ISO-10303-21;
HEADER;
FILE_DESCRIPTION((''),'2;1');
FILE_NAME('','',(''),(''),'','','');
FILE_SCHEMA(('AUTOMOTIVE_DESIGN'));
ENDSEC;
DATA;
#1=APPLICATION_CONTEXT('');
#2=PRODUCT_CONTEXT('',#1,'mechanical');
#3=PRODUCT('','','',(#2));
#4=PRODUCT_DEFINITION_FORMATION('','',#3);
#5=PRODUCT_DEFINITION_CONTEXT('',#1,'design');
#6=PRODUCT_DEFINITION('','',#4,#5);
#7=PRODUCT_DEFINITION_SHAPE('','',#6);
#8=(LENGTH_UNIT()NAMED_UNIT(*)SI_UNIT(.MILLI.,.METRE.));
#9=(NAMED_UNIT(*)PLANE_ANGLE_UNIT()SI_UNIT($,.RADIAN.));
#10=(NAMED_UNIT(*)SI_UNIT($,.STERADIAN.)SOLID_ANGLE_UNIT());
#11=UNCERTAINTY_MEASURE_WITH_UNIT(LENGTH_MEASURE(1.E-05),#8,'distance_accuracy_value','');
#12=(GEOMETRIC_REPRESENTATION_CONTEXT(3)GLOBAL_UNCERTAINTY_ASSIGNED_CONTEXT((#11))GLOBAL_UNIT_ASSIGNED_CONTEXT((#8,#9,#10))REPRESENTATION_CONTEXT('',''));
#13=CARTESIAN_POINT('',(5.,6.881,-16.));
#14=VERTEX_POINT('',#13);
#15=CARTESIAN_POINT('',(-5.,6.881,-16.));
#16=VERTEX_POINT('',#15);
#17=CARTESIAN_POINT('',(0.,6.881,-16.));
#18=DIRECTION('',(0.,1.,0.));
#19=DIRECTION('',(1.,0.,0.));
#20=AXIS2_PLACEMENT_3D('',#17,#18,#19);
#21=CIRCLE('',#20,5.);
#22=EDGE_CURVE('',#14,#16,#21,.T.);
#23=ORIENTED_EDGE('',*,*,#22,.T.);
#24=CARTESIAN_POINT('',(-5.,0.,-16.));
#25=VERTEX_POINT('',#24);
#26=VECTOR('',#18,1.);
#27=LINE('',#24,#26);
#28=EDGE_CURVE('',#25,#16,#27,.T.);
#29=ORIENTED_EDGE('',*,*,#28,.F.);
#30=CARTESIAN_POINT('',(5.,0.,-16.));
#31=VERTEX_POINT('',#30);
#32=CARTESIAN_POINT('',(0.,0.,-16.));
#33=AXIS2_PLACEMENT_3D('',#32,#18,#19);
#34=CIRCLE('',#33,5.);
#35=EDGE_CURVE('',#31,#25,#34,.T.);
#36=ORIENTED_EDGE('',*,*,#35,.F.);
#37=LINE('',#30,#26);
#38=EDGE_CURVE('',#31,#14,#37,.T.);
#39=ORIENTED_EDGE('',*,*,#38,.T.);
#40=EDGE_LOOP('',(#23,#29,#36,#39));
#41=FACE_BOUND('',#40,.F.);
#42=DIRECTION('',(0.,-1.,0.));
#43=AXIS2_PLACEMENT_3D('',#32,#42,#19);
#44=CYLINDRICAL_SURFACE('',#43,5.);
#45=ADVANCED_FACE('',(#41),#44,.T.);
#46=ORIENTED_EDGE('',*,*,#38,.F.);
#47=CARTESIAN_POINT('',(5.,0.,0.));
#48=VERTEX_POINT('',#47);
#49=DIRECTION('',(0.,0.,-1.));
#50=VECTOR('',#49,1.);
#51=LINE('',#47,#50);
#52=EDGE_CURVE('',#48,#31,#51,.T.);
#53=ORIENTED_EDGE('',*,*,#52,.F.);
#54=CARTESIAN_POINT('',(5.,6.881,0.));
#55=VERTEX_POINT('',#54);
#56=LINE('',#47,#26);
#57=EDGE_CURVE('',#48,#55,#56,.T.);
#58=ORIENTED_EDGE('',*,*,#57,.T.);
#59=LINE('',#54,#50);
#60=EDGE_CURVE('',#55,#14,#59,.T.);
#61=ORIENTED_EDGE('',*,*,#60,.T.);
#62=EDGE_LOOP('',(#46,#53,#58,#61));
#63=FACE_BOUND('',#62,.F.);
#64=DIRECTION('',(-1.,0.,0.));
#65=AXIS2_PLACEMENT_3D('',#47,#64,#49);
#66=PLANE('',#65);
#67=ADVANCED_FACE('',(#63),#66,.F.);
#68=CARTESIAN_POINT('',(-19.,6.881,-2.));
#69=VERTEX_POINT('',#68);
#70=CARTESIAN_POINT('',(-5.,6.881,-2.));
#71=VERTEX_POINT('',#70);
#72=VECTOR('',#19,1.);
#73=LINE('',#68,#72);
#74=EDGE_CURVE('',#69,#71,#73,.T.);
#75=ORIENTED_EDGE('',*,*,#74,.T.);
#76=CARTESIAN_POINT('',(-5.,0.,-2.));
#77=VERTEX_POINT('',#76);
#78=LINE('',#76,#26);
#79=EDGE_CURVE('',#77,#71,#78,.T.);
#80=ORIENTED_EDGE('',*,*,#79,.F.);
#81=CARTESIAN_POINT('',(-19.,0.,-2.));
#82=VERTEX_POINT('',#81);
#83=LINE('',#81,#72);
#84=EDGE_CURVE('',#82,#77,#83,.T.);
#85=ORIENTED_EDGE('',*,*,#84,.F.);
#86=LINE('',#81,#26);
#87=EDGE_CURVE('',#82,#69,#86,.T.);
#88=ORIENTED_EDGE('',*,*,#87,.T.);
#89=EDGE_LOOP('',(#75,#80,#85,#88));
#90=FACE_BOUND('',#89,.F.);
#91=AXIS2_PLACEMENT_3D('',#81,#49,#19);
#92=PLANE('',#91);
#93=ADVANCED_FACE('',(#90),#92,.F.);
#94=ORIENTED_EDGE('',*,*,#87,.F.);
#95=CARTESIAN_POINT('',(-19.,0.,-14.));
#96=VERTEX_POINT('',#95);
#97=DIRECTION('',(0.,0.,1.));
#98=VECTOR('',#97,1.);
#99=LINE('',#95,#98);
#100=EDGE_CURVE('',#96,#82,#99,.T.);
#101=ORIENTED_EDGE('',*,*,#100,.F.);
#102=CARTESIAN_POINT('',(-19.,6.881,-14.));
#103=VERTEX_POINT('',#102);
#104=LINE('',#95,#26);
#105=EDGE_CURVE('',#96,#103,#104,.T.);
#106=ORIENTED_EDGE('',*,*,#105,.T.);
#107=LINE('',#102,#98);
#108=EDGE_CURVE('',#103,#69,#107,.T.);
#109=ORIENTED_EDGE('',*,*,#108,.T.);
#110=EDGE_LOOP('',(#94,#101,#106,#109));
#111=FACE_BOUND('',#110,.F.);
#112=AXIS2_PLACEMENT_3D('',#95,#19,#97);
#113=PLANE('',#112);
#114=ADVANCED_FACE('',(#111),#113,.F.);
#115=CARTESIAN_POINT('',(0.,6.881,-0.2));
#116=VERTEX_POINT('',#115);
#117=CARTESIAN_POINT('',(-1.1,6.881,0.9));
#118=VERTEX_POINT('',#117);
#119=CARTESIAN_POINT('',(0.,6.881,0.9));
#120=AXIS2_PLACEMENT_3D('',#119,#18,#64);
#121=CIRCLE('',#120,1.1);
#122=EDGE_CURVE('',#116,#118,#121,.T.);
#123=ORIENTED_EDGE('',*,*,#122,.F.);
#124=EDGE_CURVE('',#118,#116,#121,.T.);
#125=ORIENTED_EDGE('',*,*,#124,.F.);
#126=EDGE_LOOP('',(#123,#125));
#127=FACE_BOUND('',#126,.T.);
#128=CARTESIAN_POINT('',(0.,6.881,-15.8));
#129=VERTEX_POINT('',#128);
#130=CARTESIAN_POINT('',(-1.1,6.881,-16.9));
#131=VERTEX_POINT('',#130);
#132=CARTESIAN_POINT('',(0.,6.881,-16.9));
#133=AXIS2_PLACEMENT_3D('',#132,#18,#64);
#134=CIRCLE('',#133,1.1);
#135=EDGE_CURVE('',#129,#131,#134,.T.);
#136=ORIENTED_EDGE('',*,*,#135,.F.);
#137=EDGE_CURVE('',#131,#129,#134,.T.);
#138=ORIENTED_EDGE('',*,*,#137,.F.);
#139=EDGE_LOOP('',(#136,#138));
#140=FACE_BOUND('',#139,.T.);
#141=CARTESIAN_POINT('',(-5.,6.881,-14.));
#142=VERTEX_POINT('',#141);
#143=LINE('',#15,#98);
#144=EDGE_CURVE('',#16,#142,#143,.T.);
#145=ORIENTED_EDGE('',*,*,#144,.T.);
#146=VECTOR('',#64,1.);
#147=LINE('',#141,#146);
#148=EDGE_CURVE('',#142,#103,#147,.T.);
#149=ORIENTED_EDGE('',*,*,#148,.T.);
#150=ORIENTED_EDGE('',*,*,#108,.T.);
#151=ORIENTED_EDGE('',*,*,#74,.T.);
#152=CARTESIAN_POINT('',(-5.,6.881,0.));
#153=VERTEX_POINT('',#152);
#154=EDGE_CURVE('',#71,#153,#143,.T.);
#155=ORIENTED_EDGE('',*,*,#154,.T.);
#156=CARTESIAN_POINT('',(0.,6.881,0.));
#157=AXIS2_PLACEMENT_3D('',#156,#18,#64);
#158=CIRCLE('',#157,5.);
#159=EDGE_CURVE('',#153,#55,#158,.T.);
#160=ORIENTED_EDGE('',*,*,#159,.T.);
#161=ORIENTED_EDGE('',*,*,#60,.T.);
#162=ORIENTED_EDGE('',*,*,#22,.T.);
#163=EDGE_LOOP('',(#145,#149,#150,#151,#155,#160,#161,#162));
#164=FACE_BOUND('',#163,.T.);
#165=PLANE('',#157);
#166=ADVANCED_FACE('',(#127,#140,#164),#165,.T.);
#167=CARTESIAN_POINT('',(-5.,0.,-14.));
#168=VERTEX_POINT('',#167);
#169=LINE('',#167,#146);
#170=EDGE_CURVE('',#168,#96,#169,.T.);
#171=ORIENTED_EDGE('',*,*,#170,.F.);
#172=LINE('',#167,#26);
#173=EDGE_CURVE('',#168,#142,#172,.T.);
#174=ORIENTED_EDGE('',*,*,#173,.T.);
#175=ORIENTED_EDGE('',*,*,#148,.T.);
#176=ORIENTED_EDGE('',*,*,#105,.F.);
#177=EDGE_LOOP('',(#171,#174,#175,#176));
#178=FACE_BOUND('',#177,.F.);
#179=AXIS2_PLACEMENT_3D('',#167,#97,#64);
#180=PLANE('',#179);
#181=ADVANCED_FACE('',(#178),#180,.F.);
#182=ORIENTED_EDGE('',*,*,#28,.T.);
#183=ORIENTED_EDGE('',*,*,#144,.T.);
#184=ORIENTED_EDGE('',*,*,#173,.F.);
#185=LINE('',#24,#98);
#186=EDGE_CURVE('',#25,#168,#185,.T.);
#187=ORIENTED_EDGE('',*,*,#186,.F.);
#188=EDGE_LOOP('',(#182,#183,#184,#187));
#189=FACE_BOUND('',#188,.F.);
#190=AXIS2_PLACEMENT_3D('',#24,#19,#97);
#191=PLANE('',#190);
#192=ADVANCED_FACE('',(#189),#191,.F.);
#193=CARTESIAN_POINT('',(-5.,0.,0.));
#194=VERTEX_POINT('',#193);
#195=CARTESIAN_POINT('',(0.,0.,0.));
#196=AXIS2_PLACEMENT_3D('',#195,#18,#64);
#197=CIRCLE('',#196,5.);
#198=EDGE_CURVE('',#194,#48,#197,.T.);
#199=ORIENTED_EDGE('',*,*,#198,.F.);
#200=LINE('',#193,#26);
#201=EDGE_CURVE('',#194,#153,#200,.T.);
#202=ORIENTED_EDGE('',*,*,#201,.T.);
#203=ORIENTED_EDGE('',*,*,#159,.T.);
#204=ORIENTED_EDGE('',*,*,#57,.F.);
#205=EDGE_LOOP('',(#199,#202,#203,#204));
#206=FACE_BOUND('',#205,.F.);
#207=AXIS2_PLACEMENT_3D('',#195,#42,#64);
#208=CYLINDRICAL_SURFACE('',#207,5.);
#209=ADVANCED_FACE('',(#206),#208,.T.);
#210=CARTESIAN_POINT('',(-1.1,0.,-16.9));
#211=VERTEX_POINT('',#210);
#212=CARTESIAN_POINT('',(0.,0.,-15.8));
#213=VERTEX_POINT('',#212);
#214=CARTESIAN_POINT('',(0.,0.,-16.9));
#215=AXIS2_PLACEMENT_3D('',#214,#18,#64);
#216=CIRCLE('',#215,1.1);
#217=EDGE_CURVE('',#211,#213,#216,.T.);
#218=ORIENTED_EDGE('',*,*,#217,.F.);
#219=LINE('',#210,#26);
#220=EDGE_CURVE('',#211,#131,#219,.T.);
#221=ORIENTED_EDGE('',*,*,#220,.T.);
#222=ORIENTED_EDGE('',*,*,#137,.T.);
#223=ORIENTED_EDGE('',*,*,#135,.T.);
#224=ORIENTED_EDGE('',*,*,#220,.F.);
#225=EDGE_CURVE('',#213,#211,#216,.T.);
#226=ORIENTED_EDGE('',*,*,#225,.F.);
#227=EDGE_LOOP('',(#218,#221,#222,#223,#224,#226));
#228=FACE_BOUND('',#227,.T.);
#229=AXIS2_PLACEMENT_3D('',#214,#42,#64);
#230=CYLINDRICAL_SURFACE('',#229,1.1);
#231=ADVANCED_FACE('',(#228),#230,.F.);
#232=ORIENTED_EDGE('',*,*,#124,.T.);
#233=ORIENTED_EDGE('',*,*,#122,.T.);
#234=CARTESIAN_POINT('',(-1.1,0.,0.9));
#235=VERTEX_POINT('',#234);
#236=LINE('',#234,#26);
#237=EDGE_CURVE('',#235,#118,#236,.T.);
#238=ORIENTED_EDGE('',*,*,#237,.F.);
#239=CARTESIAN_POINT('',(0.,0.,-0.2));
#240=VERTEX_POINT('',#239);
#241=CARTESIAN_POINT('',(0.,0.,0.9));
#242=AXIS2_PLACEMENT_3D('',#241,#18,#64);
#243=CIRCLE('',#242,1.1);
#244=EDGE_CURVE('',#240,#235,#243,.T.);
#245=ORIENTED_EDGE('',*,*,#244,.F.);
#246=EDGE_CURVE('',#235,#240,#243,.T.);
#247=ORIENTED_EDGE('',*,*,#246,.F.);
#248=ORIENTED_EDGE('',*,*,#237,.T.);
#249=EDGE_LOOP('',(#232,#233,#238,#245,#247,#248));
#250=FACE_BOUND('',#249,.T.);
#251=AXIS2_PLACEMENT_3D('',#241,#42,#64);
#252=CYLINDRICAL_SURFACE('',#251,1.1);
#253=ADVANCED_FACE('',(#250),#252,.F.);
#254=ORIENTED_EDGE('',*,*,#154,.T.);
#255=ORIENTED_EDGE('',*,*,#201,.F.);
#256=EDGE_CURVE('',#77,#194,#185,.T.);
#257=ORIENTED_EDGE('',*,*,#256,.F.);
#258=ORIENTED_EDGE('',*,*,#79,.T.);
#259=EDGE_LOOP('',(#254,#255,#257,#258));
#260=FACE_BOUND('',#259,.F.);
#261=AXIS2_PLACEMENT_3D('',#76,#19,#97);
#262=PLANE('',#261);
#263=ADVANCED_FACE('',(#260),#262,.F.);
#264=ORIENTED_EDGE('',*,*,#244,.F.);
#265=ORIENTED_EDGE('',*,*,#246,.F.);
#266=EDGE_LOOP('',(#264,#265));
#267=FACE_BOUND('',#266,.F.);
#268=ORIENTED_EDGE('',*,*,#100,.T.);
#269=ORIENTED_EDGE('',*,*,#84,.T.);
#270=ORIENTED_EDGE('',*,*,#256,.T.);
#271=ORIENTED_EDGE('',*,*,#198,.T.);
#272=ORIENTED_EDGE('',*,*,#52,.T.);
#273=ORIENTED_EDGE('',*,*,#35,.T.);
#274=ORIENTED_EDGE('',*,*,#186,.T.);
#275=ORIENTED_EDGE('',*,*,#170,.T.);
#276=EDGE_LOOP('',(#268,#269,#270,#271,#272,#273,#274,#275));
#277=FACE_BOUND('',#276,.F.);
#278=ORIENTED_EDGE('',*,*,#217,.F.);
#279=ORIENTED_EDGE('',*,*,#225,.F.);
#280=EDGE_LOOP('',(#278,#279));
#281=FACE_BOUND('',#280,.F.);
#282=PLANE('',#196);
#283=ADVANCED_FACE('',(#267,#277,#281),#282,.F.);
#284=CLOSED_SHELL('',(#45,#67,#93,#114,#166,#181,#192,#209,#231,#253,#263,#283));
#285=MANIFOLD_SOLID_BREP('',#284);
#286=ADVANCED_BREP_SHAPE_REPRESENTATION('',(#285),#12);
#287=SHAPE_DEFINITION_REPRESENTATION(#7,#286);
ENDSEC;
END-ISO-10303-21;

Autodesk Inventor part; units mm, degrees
ref_plane "YZ Plane" through (0, 0, 0) normal (1, 0, 0) x (0, 1, 0)
ref_plane "XZ Plane" through (0, 0, 0) normal (0, 1, 0) x (-1, 0, 0)
ref_plane "XY Plane" through (0, 0, 0) normal (0, 0, 1) x (1, 0, 0)
sketch "Эскиз1" plane through (0, 0, 0) normal (0, 1, 0) x (-1, 0, 0)
  line L0 (0, 0) -> (0, -16) construction
  line L1 (-5, 0) -> (-5, -16)
  line L2 (5, -16) -> (5, 0)
  arc A0 (5, 0) -> (-5, 0) centre (0, 0) ccw
  arc A1 (-5, -16) -> (5, -16) centre (0, -16) ccw
  line L3 (5, -14) -> (19, -14)
  line L4 (19, -14) -> (19, -2)
  line L5 (19, -2) -> (5, -2)
  line L6 (5, -2) -> (5, -14)
  circle A2 centre (0, -16.9) radius 1.1
  circle A3 centre (0, 0.9) radius 1.1
  line L7 (0, -16.9) -> (0, 0.9)
  point P0 (0, -8)
  point P1 (5, -8)
  point P2 (5, -2)
  point P3 (5, -14)
  point P4 (0, -8)
  dimension "d0" = 16
  dimension "d1" = 5
  dimension "d3" = 24
  dimension "d4" = 12
  dimension "d8" = 17.8
  dimension "d9" = 2.2
extrude "Выдавливание1" add sketch "Эскиз1" along normal blind 6.881
properties part number "Проставка для двигателя"
